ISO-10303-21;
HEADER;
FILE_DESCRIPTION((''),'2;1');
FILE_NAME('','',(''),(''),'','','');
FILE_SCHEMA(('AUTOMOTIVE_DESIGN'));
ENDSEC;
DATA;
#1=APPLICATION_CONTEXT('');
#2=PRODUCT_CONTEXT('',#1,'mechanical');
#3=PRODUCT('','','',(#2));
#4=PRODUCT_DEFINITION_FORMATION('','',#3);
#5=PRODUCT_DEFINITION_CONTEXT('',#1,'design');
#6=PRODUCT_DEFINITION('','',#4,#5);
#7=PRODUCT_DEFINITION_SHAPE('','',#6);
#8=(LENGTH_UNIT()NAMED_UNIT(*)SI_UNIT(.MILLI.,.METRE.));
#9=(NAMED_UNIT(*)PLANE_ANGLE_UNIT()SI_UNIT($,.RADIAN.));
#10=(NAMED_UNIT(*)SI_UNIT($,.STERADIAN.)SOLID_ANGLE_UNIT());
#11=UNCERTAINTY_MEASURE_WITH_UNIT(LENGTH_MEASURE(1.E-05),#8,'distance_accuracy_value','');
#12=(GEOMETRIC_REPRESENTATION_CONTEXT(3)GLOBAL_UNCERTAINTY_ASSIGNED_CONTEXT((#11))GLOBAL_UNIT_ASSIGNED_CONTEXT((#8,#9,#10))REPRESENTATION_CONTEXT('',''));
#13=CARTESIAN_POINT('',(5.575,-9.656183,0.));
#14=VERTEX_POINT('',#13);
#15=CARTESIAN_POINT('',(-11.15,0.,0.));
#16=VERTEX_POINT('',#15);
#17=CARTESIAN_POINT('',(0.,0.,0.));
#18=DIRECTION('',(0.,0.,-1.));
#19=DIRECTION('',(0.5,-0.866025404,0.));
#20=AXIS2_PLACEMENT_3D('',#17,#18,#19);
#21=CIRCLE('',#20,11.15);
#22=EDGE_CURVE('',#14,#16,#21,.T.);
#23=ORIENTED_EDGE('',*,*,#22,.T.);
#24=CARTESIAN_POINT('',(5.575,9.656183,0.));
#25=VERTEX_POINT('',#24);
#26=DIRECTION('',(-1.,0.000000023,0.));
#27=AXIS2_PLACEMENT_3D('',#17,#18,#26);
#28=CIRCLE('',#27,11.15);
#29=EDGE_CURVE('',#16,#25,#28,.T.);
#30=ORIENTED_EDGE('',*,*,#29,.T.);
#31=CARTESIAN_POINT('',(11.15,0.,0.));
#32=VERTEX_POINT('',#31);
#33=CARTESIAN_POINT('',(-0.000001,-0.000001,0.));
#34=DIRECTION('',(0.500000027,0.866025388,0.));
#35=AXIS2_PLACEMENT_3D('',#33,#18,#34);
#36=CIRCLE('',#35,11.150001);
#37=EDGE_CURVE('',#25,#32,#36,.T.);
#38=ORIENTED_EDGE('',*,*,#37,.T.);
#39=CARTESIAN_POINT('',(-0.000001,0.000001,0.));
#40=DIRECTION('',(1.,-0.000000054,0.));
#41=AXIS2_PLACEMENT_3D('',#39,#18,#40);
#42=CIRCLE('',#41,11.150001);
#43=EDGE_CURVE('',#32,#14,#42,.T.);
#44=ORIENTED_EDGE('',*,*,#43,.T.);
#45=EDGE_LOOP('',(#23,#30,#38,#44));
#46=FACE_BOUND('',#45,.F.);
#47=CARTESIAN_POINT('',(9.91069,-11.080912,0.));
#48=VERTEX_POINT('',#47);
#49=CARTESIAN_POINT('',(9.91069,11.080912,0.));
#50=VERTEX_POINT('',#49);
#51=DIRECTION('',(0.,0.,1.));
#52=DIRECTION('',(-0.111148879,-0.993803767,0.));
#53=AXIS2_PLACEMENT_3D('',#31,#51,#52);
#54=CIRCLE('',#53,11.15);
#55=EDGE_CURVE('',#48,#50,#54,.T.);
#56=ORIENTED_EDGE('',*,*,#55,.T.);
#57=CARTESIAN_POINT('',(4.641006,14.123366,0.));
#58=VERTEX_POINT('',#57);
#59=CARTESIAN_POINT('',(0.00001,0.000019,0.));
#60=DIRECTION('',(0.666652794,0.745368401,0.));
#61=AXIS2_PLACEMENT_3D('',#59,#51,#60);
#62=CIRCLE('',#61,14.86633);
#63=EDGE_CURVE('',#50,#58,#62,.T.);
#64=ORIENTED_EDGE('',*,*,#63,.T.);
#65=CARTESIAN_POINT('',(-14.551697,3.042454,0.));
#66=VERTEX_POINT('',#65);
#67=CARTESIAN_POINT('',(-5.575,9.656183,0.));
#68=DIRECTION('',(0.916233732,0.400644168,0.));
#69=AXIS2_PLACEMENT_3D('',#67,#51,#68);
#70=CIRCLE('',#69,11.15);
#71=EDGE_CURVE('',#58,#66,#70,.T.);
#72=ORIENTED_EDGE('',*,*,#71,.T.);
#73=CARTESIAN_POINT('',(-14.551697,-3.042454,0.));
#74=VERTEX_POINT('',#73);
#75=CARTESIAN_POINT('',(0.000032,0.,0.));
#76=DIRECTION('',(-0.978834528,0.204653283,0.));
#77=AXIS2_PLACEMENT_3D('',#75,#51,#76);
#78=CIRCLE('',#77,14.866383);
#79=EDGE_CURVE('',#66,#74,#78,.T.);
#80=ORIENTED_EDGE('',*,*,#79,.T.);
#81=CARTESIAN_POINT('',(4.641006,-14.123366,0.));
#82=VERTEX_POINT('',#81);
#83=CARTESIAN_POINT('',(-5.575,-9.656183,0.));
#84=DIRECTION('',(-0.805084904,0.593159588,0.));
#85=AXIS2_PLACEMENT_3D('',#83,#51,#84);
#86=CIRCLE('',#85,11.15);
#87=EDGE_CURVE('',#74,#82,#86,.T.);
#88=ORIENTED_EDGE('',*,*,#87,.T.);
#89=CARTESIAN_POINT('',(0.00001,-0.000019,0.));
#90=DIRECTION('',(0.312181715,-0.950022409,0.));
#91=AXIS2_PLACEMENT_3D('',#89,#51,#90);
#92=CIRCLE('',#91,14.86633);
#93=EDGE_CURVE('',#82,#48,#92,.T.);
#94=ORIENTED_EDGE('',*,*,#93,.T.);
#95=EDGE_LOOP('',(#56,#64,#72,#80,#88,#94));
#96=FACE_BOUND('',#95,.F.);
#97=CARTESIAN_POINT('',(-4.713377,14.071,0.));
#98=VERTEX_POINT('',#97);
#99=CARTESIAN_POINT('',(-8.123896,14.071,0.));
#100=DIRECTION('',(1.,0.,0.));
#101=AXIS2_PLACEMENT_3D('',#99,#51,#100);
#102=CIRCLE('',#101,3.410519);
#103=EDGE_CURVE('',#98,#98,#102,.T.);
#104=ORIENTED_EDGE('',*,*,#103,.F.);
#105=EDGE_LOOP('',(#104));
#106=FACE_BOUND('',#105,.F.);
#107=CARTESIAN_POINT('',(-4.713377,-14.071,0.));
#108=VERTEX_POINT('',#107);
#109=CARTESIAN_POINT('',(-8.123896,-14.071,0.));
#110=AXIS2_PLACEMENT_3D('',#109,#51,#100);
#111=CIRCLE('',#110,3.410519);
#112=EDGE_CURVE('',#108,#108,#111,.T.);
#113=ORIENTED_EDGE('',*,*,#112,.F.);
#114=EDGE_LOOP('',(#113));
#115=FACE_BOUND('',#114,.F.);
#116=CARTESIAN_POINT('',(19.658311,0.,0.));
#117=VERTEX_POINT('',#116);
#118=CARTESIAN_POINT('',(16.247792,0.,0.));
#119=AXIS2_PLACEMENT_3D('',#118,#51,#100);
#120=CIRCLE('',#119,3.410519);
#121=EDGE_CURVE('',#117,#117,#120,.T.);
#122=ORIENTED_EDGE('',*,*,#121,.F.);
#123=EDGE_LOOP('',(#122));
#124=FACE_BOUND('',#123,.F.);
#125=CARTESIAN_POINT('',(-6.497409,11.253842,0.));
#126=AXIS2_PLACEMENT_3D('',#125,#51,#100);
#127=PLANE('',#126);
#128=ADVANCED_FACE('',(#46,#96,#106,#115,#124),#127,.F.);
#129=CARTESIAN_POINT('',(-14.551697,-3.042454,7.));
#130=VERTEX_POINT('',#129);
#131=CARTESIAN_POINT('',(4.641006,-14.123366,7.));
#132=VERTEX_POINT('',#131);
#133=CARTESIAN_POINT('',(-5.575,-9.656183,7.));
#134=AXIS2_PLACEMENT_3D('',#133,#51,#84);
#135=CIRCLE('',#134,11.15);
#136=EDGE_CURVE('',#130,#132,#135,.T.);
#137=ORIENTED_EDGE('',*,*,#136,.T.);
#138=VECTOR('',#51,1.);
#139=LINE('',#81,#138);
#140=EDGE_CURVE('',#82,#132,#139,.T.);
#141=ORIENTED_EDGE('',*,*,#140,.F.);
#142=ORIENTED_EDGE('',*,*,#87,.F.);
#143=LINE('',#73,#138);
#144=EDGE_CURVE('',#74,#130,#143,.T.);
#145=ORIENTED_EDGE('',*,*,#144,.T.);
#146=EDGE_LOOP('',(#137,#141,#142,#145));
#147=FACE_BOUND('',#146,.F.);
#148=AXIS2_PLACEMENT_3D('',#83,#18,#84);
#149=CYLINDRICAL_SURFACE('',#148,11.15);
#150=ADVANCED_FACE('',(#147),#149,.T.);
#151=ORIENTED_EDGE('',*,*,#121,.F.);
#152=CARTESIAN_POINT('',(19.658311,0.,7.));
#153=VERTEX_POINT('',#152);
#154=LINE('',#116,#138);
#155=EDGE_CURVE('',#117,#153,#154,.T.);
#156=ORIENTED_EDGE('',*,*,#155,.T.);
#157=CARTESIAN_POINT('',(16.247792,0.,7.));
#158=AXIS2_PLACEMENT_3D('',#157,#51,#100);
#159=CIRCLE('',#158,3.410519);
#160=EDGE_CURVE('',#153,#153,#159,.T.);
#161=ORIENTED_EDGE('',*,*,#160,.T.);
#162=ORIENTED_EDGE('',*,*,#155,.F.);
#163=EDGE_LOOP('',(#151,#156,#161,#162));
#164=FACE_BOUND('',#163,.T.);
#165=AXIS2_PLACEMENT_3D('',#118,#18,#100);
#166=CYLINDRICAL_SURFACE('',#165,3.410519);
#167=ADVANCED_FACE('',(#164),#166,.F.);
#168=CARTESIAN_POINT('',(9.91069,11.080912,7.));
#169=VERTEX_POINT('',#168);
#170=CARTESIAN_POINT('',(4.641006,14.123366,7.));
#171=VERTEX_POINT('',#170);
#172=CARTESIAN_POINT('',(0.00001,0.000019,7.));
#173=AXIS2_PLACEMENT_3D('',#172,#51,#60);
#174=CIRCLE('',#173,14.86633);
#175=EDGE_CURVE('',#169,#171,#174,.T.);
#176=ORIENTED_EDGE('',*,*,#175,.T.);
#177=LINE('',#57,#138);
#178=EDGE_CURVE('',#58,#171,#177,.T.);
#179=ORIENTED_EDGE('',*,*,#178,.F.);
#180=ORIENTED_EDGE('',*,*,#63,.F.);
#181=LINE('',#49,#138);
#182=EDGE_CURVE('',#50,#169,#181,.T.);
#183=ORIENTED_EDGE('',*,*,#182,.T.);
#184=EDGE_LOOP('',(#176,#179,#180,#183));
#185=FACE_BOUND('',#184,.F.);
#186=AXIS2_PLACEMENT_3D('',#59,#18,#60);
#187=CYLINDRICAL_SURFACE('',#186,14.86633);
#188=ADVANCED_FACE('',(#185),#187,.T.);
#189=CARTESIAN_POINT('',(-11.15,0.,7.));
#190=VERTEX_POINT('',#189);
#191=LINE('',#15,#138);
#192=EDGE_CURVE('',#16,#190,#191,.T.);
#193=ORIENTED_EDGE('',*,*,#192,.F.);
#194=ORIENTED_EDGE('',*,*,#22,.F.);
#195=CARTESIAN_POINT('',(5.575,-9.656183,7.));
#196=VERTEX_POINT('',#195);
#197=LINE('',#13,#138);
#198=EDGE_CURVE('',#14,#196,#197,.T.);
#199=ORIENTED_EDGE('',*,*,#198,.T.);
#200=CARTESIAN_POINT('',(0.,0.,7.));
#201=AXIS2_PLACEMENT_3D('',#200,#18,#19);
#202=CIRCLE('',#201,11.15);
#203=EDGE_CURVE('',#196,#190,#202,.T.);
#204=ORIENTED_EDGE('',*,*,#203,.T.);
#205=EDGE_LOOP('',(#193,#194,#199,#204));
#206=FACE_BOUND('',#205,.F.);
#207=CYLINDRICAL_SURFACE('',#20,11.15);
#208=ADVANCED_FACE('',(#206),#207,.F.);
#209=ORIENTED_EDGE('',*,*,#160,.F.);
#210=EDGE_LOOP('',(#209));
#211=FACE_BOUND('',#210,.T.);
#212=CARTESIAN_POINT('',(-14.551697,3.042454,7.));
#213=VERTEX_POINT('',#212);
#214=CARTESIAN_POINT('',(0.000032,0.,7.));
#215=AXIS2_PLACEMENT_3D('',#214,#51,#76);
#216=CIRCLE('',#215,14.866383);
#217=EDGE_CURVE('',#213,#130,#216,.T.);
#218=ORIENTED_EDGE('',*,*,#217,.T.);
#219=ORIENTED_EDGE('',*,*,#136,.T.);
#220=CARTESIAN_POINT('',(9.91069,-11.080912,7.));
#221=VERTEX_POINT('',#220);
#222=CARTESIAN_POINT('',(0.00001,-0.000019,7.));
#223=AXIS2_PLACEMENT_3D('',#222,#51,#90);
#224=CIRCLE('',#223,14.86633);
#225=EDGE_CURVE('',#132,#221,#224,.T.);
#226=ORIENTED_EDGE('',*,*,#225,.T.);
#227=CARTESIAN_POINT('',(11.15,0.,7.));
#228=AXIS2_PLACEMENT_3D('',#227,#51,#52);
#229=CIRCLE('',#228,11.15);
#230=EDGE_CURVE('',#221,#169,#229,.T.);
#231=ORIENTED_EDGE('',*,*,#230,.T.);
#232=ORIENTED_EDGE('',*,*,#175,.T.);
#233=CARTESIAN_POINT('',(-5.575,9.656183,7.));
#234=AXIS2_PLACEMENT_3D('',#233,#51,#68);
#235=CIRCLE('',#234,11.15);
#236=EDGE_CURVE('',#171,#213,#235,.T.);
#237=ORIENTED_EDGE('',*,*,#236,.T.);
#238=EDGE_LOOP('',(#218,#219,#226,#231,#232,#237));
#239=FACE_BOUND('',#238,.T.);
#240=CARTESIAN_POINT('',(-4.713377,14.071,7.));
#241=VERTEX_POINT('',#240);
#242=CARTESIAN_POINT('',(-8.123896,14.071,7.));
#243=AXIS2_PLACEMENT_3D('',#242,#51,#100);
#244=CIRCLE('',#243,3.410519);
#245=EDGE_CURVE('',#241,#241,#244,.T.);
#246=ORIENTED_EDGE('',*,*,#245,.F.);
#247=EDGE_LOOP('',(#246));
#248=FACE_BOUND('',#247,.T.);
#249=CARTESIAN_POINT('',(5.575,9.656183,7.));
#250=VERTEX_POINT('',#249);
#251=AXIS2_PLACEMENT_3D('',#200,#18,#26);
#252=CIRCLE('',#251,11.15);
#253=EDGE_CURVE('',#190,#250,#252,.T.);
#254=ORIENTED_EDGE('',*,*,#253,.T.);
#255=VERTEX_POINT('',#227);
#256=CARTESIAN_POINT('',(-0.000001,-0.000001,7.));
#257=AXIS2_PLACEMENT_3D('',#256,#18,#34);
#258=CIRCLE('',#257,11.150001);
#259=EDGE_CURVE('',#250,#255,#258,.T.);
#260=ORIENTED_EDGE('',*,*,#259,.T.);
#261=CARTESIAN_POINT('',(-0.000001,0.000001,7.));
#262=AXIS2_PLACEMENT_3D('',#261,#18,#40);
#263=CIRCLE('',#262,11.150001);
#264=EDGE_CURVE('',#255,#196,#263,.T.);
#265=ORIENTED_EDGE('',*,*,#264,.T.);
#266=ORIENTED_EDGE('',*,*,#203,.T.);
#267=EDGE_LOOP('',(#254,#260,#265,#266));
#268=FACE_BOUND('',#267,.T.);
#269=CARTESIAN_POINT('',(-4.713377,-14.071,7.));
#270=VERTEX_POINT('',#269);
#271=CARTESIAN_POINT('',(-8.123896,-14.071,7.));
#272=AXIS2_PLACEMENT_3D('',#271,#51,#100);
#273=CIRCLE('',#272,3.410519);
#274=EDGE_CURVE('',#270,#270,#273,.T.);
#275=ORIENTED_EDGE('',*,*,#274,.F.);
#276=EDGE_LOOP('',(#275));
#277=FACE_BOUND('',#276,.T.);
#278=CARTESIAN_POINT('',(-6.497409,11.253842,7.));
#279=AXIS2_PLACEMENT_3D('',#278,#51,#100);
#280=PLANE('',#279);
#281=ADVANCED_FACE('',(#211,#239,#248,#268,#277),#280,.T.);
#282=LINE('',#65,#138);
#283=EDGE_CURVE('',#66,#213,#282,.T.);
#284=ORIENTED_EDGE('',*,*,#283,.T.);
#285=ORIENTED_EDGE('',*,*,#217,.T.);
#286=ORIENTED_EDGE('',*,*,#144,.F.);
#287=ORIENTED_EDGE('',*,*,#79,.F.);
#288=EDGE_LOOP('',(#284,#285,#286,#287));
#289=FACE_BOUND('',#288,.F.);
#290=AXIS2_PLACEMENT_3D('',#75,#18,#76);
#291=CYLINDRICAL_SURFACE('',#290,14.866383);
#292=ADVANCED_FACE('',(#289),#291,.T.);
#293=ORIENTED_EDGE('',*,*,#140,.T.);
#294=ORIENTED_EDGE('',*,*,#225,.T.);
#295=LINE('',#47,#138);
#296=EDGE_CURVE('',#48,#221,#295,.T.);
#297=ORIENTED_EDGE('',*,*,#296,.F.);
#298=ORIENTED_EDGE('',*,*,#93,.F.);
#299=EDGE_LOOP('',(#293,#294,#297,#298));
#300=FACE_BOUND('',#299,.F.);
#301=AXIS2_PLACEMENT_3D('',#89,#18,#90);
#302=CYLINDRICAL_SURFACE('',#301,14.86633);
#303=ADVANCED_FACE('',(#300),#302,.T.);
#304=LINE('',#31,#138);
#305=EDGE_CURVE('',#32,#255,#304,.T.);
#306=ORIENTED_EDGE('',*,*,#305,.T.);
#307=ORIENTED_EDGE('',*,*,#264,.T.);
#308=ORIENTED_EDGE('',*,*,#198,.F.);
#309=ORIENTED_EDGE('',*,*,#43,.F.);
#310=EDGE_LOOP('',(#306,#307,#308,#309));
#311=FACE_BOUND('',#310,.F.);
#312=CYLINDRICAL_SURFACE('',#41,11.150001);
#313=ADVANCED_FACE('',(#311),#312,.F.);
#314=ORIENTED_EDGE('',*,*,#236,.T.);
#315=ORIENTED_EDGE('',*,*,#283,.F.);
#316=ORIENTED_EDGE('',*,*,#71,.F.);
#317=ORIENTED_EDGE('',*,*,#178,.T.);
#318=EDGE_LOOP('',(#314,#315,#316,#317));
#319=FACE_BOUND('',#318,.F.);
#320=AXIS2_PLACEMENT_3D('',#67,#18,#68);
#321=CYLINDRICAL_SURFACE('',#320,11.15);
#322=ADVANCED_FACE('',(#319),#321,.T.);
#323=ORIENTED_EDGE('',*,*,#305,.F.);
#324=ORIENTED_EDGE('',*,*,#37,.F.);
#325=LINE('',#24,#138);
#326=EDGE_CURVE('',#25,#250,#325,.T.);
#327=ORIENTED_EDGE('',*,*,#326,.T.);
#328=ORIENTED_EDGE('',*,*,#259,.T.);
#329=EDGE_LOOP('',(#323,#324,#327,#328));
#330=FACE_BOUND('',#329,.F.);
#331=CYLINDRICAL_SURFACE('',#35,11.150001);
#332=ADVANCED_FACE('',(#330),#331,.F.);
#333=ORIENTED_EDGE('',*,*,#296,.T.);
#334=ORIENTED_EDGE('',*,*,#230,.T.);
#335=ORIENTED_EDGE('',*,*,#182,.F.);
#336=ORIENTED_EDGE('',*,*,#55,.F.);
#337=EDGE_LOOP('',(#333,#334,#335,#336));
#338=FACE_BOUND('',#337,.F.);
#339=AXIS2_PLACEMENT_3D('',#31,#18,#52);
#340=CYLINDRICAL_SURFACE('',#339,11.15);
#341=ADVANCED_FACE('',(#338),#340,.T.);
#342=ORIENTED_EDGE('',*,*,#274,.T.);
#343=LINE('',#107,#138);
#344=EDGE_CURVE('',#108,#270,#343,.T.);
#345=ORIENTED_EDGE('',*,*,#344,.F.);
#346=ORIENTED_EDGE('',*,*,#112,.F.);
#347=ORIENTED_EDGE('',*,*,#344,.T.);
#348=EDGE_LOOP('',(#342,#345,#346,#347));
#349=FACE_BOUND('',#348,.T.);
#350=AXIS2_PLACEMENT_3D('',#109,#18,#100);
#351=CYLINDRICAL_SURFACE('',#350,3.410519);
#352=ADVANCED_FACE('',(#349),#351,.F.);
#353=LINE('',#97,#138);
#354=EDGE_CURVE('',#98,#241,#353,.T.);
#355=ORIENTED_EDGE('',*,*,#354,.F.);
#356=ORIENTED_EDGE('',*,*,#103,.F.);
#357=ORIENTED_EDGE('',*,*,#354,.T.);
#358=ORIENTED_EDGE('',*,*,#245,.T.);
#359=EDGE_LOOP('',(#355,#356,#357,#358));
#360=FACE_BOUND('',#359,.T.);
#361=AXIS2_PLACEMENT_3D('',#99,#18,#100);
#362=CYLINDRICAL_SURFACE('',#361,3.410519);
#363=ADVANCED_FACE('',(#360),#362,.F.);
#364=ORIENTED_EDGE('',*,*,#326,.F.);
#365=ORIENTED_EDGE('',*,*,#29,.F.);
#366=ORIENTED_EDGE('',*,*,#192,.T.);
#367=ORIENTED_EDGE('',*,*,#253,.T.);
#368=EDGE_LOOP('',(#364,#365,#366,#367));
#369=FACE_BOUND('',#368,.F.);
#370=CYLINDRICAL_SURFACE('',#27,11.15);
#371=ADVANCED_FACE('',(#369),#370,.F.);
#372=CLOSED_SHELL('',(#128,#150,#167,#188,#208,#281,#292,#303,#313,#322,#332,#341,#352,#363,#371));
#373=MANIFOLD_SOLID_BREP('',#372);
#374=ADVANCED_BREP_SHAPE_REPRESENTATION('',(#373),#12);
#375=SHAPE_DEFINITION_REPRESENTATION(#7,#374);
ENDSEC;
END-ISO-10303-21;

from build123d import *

# Parameters (mm, degrees)
F0_R     = 3.410519
F1_DEPTH = 7


with BuildPart() as f1:
    # F0 (on Top) → F1 (new body)
    with BuildSketch(Plane.XY):
        with BuildLine():
            ThreePointArc((-11.15, 0), (-5.575, 9.656183), (5.575, 9.656183))
            ThreePointArc((5.575, 9.656183), (5.339004, 11.938072), (4.641006, 14.123366))
            ThreePointArc((4.641006, 14.123366), (-11.15, 19.312367), (-14.551697, 3.042454))
            ThreePointArc((-14.551697, 3.042454), (-13.008176, 1.345323), (-11.15, 0))
        make_face()
        with Locations((-8.123896, 14.071)):
            Circle(F0_R, mode=Mode.SUBTRACT)
        with BuildLine():
            ThreePointArc((-14.551697, -3.042454), (-13.008176, -1.345323), (-11.15, 0))
            ThreePointArc((-11.15, 0), (-13.008176, 1.345323), (-14.551697, 3.042454))
            ThreePointArc((-14.551697, 3.042454), (-14.866351, 0), (-14.551697, -3.042454))
        make_face()
        with BuildLine():
            ThreePointArc((4.641006, -14.123366), (5.339004, -11.938072), (5.575, -9.656183))
            ThreePointArc((5.575, -9.656183), (-5.575, -9.656183), (-11.15, 0))
            ThreePointArc((-11.15, 0), (-13.008176, -1.345323), (-14.551697, -3.042454))
            ThreePointArc((-14.551697, -3.042454), (-11.15, -19.312367), (4.641006, -14.123366))
        make_face()
        with Locations((-8.123896, -14.071)):
            Circle(F0_R, mode=Mode.SUBTRACT)
        with BuildLine():
            ThreePointArc((9.91069, -11.080912), (7.669172, -10.592749), (5.575, -9.656183))
            ThreePointArc((5.575, -9.656183), (5.339004, -11.938072), (4.641006, -14.123366))
            ThreePointArc((4.641006, -14.123366), (7.433176, -12.874638), (9.91069, -11.080912))
        make_face()
        with BuildLine():
            ThreePointArc((5.575, 9.656183), (9.656183, 5.575), (11.15, 0))
            ThreePointArc((11.15, 0), (9.656183, -5.575), (5.575, -9.656183))
            ThreePointArc((5.575, -9.656183), (7.669172, -10.592749), (9.91069, -11.080912))
            ThreePointArc((9.91069, -11.080912), (22.3, 0), (9.91069, 11.080912))
            ThreePointArc((9.91069, 11.080912), (7.669172, 10.592749), (5.575, 9.656183))
        make_face()
        with Locations((16.247792, 0)):
            Circle(F0_R, mode=Mode.SUBTRACT)
        with BuildLine():
            ThreePointArc((4.641006, 14.123366), (5.339004, 11.938072), (5.575, 9.656183))
            ThreePointArc((5.575, 9.656183), (7.669172, 10.592749), (9.91069, 11.080912))
            ThreePointArc((9.91069, 11.080912), (7.433176, 12.874638), (4.641006, 14.123366))
        make_face()
    extrude(amount=F1_DEPTH)


solid = f1.part
